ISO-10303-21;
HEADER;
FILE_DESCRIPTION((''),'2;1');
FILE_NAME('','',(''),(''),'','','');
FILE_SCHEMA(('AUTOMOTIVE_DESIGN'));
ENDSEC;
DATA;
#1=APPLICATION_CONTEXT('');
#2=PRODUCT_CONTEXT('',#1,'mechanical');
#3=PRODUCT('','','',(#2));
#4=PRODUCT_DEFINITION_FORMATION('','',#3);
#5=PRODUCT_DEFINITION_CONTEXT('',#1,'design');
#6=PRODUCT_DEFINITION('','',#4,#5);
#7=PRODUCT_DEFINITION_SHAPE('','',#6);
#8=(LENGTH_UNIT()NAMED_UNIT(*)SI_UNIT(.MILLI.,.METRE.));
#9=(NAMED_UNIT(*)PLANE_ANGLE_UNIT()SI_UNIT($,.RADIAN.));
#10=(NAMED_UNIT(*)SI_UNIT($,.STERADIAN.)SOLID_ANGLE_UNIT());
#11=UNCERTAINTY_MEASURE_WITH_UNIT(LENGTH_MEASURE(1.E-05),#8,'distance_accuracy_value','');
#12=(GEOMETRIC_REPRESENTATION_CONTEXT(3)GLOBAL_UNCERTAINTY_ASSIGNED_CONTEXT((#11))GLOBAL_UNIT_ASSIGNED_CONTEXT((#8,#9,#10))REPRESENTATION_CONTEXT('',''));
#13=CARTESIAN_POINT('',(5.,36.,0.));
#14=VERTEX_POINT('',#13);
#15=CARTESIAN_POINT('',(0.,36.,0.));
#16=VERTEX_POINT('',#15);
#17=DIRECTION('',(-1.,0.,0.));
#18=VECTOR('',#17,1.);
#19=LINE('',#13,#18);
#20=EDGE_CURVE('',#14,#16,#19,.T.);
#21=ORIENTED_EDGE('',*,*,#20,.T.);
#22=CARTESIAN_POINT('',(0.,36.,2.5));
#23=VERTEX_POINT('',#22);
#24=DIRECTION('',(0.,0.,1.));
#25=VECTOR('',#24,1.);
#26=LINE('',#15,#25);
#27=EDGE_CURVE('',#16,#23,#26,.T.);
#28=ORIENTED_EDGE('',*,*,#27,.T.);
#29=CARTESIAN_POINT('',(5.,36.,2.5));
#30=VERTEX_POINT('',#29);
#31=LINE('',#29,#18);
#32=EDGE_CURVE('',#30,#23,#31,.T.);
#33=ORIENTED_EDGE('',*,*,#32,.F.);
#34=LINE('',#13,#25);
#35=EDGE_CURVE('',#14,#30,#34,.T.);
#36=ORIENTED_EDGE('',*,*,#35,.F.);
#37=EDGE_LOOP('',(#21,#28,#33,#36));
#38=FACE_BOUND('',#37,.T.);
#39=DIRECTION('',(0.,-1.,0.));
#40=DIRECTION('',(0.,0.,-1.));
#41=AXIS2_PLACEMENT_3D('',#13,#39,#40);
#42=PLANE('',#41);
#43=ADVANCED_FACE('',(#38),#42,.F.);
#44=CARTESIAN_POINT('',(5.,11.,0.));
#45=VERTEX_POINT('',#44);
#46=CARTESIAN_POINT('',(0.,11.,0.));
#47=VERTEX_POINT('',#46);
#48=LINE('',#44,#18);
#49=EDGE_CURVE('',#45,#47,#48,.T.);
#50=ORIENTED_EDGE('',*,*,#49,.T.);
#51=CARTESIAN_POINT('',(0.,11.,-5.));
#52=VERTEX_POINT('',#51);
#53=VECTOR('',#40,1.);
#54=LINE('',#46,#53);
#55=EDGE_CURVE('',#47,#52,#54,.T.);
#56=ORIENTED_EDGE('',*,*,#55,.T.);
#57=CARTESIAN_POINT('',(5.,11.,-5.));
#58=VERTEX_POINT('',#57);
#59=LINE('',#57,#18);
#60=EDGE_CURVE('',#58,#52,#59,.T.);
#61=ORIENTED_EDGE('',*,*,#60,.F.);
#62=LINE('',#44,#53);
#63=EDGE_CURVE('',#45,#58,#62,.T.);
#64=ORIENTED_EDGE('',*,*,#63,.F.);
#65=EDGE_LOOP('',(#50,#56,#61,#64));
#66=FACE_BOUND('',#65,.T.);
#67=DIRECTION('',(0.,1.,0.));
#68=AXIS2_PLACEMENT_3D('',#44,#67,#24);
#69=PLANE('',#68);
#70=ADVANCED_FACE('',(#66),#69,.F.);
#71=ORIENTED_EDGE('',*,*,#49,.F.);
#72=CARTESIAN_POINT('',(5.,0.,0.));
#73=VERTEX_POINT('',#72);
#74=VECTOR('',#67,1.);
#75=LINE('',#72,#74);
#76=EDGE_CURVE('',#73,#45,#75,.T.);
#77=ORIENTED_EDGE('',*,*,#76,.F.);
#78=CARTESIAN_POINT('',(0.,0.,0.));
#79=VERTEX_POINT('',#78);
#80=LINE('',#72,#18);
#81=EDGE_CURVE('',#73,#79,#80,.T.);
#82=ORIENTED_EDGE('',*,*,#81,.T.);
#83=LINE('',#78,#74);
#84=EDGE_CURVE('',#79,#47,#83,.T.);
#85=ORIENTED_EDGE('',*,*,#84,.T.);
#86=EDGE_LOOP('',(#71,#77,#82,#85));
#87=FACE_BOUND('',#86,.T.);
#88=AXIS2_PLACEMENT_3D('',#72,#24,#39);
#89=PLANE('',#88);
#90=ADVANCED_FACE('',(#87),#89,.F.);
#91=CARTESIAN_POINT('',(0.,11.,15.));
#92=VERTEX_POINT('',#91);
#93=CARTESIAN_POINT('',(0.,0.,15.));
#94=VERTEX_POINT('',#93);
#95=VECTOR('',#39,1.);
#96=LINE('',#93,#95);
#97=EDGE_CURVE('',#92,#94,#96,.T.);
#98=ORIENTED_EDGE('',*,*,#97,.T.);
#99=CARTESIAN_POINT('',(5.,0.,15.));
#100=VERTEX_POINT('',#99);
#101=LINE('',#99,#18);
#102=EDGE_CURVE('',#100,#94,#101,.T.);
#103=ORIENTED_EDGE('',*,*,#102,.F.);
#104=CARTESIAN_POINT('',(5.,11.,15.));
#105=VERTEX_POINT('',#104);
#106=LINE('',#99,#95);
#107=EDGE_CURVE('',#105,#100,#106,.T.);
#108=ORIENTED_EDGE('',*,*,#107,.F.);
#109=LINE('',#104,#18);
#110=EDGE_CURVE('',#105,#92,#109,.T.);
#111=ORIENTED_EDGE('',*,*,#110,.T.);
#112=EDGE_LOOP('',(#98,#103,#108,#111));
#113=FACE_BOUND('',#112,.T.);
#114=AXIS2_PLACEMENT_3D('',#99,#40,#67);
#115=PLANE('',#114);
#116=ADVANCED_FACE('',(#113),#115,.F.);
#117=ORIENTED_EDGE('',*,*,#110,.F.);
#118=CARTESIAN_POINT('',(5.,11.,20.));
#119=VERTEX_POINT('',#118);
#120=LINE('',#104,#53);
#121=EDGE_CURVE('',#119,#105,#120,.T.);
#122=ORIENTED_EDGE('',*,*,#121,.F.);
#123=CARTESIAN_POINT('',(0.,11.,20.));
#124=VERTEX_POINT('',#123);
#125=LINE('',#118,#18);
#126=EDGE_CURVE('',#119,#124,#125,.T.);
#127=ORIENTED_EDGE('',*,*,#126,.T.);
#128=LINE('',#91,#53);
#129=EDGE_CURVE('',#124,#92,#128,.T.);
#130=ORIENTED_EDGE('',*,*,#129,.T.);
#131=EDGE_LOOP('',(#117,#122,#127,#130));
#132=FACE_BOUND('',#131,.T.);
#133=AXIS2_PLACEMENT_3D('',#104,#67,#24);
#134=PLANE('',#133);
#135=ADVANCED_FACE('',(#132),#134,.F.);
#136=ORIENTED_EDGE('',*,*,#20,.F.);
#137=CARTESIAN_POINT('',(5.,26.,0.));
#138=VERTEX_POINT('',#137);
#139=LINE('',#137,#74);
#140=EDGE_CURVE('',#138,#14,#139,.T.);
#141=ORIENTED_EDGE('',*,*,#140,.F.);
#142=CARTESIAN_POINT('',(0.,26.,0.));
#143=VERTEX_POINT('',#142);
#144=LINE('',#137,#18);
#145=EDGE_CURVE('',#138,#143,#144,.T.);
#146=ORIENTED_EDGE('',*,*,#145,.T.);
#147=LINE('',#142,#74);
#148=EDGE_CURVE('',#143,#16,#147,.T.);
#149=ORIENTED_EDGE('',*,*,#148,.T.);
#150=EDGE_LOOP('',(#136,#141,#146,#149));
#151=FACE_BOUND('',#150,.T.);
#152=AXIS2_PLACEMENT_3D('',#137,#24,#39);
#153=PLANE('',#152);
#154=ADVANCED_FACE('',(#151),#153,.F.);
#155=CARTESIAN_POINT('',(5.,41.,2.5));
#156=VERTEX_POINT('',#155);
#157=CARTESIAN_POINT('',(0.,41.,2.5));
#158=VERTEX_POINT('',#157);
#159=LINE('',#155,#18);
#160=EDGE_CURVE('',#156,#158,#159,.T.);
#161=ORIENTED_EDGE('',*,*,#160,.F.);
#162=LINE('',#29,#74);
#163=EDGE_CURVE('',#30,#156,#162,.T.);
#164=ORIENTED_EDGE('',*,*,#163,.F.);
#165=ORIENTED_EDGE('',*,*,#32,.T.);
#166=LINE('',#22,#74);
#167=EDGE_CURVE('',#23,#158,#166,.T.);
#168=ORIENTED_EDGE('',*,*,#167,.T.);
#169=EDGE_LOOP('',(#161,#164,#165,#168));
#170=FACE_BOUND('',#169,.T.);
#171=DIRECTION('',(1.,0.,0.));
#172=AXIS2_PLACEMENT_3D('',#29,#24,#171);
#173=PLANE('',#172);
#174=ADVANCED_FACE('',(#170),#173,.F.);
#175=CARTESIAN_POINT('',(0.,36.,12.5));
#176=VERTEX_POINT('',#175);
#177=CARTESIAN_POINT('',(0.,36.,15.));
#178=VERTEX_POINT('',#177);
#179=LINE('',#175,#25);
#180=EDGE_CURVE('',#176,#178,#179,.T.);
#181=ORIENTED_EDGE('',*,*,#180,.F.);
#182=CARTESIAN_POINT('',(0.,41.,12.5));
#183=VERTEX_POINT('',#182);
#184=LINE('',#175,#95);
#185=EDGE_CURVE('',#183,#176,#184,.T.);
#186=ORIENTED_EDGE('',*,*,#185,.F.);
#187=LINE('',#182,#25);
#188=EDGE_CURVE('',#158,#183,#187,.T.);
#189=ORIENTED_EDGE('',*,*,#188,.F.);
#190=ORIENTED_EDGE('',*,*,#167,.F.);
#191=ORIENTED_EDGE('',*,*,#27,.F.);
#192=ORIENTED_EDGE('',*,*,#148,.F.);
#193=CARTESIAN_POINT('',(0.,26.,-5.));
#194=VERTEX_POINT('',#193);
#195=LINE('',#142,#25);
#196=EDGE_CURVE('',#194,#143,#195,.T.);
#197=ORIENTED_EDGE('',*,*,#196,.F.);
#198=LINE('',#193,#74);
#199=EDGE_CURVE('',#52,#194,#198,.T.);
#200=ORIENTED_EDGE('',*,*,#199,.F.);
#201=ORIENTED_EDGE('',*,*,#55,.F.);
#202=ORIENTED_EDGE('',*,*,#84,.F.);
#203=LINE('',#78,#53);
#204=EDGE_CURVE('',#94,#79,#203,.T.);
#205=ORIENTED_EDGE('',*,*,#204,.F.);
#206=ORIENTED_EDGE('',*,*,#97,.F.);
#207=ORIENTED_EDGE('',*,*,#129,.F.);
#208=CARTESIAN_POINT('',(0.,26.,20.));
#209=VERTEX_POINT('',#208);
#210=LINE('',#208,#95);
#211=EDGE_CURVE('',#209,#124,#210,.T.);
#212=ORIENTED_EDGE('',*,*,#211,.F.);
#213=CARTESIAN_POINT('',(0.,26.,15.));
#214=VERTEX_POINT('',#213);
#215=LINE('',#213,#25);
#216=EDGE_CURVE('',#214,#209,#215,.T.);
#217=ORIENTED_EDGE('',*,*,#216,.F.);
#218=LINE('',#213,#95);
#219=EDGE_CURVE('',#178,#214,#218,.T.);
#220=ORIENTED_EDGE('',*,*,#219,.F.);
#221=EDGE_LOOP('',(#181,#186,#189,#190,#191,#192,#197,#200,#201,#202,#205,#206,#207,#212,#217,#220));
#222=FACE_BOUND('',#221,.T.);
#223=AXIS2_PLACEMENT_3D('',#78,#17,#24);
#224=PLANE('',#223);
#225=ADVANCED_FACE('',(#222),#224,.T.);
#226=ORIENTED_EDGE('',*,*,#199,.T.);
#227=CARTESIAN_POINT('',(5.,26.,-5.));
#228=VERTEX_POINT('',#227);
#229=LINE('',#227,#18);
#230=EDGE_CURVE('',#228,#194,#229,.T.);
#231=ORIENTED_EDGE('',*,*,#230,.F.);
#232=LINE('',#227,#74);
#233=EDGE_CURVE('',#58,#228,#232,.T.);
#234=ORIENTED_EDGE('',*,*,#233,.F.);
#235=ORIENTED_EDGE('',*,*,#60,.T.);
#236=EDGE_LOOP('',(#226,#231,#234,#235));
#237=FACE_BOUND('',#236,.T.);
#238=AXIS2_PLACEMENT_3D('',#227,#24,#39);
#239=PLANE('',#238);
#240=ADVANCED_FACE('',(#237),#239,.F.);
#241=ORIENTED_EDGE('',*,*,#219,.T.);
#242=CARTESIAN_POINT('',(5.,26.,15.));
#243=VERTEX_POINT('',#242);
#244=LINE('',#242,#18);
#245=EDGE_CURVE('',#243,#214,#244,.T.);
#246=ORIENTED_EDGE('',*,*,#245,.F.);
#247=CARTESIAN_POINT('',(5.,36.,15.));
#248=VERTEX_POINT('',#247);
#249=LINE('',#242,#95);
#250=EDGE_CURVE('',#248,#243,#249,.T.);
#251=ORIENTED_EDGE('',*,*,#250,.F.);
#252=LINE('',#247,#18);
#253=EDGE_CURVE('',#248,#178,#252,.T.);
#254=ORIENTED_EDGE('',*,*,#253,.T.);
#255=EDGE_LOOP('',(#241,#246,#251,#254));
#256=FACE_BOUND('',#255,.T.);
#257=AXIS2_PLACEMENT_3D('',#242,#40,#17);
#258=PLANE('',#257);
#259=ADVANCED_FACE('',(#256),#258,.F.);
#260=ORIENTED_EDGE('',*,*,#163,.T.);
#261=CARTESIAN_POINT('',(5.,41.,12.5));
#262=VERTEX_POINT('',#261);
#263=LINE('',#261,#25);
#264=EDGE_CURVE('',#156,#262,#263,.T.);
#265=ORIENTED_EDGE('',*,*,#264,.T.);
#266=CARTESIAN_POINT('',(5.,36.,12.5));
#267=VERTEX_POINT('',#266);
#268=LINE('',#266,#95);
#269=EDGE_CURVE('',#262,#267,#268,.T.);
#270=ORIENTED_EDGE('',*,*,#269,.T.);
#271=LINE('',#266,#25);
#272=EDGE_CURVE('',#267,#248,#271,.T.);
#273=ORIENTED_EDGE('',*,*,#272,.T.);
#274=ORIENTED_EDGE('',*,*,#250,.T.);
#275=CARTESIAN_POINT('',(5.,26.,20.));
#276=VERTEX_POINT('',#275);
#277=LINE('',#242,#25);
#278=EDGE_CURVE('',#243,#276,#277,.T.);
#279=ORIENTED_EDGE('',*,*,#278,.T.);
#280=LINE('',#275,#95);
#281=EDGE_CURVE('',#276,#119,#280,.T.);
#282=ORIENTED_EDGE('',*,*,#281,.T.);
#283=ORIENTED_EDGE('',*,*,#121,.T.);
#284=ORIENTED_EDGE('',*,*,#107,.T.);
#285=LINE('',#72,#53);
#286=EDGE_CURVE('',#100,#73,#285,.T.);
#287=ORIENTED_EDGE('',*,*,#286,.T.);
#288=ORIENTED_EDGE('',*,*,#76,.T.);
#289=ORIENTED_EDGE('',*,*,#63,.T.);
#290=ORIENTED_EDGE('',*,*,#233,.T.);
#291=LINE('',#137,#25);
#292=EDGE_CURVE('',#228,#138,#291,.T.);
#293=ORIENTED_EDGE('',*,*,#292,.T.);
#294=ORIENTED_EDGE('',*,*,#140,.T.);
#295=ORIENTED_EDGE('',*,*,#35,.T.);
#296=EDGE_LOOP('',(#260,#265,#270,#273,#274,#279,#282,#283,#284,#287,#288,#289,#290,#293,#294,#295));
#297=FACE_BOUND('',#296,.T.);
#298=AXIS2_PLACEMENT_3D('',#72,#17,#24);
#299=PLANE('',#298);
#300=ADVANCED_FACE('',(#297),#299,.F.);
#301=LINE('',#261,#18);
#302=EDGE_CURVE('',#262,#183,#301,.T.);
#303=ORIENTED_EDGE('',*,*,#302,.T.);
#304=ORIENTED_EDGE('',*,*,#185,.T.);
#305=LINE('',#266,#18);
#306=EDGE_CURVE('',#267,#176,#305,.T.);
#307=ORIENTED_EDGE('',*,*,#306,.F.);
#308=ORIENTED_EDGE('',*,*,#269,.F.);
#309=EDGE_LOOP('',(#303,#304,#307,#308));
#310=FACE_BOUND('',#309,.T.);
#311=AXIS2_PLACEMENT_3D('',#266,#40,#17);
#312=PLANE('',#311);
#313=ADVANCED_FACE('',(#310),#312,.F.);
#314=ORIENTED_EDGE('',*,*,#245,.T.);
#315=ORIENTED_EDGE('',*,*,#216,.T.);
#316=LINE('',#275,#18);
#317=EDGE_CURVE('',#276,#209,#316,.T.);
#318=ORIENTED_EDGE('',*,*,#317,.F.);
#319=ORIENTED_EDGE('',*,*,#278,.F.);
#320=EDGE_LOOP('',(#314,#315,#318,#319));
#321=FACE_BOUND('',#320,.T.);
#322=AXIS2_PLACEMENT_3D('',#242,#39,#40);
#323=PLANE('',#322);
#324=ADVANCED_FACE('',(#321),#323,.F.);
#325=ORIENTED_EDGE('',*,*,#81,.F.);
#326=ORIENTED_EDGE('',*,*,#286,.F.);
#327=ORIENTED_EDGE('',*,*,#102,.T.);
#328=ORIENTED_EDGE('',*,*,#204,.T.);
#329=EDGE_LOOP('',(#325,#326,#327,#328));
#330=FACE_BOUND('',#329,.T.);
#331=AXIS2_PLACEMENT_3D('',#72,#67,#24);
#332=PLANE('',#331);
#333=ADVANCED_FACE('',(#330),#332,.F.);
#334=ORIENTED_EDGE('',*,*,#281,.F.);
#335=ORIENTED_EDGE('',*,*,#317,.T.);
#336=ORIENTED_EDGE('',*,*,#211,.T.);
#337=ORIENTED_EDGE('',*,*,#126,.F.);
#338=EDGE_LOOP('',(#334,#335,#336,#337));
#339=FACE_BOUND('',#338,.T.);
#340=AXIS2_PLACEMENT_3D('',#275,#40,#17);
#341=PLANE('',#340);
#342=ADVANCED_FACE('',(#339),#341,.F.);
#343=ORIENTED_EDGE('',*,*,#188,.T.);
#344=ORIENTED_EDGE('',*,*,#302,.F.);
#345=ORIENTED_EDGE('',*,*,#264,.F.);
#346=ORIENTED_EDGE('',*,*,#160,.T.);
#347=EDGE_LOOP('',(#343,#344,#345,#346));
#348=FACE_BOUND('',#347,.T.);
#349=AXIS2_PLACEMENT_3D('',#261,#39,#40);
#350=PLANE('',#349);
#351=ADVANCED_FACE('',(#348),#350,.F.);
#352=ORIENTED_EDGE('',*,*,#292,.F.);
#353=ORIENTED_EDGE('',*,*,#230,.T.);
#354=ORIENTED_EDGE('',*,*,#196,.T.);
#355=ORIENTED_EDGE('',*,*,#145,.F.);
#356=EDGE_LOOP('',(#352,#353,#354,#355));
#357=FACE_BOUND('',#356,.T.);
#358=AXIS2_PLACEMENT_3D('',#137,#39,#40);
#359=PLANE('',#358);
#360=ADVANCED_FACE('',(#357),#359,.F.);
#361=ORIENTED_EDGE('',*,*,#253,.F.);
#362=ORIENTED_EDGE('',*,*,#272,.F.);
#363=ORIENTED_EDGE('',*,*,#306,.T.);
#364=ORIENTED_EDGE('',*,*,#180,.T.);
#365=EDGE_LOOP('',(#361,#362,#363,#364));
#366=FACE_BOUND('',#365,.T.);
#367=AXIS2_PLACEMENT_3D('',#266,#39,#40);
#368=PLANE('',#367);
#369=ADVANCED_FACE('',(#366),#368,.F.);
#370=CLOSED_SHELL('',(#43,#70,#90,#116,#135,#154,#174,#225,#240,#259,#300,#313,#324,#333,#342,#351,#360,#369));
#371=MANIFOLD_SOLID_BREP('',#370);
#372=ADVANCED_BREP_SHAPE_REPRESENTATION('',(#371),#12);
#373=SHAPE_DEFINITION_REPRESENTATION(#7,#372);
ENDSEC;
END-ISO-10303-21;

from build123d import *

# Parameters (mm, degrees)
EXTRUDE_1_DEPTH = 5


with BuildPart() as part:
    # 草图1 → 凸台-拉伸1 (new body)
    with BuildSketch(Plane(origin=(0, 0, 0), x_dir=(0, 0, -1), z_dir=(1, 0, 0))):
        Polygon((-12.5, 36), (-15, 36), (-15, 26), (-20, 26), (-20, 11), (-15, 11), (-15, 0), (0, 0), (0, 11), (5, 11), (5, 26), (0, 26), (0, 36), (-2.5, 36), (-2.5, 41), (-12.5, 41), align=None)
    extrude(amount=EXTRUDE_1_DEPTH)


solid = part.part
